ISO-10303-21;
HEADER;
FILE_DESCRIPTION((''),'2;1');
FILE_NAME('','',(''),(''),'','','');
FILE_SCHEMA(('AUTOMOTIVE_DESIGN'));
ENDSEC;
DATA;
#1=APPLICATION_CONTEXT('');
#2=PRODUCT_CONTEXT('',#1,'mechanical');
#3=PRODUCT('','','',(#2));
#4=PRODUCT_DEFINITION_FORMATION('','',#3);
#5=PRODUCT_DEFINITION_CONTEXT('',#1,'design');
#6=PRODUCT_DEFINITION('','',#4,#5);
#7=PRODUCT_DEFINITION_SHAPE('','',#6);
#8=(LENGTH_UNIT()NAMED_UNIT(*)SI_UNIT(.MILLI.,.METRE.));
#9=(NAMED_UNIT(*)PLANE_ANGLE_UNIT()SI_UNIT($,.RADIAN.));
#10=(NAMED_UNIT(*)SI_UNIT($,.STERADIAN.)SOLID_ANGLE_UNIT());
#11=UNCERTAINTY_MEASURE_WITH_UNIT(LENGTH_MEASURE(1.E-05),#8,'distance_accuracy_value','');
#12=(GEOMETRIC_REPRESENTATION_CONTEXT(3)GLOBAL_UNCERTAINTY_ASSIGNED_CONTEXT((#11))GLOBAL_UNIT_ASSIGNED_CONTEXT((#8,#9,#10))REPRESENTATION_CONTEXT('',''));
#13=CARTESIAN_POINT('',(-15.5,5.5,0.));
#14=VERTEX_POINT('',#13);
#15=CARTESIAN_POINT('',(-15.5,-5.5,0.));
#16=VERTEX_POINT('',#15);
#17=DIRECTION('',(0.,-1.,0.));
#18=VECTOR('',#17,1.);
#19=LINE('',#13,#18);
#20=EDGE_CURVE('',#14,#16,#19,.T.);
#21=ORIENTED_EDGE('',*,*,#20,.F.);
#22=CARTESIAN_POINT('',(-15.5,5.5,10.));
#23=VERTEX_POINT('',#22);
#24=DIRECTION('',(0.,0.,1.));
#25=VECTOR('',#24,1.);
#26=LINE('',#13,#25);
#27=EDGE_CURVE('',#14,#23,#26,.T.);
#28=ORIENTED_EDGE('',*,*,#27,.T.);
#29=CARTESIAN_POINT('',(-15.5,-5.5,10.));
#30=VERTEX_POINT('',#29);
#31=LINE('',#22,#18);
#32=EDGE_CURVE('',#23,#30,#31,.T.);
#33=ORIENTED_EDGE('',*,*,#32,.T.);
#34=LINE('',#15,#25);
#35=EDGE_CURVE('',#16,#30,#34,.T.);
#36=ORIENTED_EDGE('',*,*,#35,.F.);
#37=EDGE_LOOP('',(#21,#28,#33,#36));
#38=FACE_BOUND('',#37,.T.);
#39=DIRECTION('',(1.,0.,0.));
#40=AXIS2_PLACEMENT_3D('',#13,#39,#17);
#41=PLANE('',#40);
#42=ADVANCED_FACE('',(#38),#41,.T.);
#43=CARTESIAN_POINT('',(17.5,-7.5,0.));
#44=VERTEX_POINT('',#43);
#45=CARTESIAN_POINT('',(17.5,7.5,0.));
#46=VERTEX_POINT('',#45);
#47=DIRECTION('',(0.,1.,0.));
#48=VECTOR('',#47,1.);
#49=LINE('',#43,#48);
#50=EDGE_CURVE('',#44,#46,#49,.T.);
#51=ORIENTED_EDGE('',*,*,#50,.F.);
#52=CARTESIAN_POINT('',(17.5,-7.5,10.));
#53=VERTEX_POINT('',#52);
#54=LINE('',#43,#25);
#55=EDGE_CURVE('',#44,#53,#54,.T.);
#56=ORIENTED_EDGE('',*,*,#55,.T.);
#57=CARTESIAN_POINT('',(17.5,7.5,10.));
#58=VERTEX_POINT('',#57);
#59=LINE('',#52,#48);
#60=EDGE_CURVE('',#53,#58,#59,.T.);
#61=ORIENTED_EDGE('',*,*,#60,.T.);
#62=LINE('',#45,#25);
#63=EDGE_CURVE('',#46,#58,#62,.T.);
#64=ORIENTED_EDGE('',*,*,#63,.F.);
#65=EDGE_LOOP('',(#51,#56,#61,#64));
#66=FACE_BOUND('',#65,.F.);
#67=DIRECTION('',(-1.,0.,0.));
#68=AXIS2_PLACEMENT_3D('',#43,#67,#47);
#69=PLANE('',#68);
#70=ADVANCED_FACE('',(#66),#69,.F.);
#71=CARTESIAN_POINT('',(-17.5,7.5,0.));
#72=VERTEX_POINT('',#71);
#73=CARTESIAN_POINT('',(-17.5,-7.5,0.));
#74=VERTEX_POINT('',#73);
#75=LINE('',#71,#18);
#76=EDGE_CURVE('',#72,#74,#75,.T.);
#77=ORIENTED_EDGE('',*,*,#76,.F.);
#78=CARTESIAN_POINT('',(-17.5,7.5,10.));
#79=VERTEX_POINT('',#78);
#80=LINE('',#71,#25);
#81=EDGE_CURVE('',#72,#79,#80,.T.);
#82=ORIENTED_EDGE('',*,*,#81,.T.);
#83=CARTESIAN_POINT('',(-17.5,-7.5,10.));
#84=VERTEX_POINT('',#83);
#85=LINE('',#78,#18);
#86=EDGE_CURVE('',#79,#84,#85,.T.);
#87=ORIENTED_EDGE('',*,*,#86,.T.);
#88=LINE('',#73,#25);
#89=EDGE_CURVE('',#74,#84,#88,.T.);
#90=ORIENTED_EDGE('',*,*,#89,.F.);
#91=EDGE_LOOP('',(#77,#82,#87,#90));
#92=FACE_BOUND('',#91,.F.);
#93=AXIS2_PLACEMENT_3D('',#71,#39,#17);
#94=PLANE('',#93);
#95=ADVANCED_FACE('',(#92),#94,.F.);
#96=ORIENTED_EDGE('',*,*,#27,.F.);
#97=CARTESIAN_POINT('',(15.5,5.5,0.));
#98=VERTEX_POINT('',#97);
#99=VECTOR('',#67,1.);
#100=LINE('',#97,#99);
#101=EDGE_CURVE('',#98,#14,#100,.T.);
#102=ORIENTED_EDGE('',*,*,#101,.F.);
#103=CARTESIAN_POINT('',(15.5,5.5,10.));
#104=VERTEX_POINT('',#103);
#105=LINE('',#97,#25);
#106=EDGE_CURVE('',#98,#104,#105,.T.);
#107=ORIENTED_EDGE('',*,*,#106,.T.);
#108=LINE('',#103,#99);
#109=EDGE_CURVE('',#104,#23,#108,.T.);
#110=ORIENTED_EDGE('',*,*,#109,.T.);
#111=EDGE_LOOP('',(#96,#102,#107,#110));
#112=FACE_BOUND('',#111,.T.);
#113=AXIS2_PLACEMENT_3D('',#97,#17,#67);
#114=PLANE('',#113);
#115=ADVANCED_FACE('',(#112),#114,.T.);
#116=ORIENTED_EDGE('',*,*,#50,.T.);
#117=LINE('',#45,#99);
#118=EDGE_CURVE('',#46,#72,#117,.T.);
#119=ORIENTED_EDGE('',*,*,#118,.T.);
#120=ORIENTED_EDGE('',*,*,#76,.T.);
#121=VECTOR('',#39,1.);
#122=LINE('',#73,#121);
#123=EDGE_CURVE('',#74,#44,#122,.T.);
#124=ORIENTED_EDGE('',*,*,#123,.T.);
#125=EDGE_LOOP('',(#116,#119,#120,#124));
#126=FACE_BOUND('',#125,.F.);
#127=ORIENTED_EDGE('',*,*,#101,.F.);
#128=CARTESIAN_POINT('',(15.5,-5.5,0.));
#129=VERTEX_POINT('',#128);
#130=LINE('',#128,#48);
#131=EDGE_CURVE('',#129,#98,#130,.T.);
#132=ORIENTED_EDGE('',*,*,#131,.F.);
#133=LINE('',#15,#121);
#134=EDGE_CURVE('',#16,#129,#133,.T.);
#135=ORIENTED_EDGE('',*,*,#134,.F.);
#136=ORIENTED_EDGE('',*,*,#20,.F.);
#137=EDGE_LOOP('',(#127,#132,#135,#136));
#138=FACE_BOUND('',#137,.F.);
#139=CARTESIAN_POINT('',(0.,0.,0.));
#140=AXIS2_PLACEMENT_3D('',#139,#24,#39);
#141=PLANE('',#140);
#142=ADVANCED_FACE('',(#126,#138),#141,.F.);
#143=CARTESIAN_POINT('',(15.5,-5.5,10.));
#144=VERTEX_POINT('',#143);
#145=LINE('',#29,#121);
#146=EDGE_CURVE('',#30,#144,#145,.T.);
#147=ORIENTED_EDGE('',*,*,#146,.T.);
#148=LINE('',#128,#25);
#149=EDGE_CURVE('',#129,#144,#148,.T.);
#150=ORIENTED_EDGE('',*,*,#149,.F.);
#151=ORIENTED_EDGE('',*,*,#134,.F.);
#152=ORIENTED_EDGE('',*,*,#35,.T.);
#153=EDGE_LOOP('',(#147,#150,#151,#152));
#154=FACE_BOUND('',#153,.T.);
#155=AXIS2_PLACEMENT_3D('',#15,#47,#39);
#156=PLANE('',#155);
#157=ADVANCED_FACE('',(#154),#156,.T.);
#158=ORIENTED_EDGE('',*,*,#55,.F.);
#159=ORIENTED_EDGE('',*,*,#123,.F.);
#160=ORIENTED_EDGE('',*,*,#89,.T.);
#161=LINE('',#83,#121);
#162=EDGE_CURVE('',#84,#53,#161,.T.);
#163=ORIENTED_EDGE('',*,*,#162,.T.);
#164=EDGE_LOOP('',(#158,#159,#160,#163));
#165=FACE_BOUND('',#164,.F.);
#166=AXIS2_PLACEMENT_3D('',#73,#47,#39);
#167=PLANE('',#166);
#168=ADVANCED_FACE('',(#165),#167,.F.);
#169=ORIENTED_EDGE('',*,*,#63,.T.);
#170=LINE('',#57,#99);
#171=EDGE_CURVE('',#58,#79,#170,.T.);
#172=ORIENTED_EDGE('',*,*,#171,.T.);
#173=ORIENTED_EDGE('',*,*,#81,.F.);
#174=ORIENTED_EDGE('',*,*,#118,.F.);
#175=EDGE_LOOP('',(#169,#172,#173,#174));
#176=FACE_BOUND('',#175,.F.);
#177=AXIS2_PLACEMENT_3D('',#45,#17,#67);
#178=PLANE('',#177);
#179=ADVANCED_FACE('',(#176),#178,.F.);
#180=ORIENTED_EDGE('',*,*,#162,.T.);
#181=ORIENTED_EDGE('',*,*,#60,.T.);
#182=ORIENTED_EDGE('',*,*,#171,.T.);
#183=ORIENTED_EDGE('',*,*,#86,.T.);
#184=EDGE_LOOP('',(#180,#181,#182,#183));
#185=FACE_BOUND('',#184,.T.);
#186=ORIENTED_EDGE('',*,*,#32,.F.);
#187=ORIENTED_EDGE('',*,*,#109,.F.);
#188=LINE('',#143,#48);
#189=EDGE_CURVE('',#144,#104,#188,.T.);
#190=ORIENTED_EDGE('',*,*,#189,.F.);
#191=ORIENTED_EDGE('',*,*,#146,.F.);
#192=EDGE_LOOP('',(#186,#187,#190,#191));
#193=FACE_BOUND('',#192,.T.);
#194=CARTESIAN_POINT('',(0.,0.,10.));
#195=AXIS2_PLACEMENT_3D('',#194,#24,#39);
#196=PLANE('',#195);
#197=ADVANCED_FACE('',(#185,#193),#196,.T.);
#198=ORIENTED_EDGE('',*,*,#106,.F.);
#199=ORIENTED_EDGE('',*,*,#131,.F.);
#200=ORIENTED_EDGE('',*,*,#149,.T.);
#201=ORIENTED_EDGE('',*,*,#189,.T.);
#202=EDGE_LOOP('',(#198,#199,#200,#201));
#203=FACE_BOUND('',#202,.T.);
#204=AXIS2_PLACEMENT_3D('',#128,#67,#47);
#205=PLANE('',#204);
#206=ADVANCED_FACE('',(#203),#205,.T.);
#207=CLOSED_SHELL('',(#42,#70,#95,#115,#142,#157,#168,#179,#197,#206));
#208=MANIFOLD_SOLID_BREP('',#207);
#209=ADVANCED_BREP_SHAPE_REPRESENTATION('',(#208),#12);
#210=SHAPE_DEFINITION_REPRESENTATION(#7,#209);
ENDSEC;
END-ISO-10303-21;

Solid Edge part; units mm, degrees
sketch "Sketch1" plane through (0, 0, 0) normal (0, 0, 1) x (1, 0, 0)
  line L0 (15.5, 5.5) -> (-15.5, 5.5)
  line L1 (-15.5, 5.5) -> (-15.5, -5.5)
  line L2 (-15.5, -5.5) -> (15.5, -5.5)
  line L3 (15.5, -5.5) -> (15.5, 5.5)
  line L4 (17.5, 7.5) -> (-17.5, 7.5)
  line L5 (-17.5, 7.5) -> (-17.5, -7.5)
  line L6 (-17.5, -7.5) -> (17.5, -7.5)
  line L7 (17.5, -7.5) -> (17.5, 7.5)
  dimension "D1" = 35
  dimension "D2" = 15
  dimension "D3" = 2
  dimension "D4" = 2
extrude "Protrusion1" add sketch "Sketch1" along normal blind 10
